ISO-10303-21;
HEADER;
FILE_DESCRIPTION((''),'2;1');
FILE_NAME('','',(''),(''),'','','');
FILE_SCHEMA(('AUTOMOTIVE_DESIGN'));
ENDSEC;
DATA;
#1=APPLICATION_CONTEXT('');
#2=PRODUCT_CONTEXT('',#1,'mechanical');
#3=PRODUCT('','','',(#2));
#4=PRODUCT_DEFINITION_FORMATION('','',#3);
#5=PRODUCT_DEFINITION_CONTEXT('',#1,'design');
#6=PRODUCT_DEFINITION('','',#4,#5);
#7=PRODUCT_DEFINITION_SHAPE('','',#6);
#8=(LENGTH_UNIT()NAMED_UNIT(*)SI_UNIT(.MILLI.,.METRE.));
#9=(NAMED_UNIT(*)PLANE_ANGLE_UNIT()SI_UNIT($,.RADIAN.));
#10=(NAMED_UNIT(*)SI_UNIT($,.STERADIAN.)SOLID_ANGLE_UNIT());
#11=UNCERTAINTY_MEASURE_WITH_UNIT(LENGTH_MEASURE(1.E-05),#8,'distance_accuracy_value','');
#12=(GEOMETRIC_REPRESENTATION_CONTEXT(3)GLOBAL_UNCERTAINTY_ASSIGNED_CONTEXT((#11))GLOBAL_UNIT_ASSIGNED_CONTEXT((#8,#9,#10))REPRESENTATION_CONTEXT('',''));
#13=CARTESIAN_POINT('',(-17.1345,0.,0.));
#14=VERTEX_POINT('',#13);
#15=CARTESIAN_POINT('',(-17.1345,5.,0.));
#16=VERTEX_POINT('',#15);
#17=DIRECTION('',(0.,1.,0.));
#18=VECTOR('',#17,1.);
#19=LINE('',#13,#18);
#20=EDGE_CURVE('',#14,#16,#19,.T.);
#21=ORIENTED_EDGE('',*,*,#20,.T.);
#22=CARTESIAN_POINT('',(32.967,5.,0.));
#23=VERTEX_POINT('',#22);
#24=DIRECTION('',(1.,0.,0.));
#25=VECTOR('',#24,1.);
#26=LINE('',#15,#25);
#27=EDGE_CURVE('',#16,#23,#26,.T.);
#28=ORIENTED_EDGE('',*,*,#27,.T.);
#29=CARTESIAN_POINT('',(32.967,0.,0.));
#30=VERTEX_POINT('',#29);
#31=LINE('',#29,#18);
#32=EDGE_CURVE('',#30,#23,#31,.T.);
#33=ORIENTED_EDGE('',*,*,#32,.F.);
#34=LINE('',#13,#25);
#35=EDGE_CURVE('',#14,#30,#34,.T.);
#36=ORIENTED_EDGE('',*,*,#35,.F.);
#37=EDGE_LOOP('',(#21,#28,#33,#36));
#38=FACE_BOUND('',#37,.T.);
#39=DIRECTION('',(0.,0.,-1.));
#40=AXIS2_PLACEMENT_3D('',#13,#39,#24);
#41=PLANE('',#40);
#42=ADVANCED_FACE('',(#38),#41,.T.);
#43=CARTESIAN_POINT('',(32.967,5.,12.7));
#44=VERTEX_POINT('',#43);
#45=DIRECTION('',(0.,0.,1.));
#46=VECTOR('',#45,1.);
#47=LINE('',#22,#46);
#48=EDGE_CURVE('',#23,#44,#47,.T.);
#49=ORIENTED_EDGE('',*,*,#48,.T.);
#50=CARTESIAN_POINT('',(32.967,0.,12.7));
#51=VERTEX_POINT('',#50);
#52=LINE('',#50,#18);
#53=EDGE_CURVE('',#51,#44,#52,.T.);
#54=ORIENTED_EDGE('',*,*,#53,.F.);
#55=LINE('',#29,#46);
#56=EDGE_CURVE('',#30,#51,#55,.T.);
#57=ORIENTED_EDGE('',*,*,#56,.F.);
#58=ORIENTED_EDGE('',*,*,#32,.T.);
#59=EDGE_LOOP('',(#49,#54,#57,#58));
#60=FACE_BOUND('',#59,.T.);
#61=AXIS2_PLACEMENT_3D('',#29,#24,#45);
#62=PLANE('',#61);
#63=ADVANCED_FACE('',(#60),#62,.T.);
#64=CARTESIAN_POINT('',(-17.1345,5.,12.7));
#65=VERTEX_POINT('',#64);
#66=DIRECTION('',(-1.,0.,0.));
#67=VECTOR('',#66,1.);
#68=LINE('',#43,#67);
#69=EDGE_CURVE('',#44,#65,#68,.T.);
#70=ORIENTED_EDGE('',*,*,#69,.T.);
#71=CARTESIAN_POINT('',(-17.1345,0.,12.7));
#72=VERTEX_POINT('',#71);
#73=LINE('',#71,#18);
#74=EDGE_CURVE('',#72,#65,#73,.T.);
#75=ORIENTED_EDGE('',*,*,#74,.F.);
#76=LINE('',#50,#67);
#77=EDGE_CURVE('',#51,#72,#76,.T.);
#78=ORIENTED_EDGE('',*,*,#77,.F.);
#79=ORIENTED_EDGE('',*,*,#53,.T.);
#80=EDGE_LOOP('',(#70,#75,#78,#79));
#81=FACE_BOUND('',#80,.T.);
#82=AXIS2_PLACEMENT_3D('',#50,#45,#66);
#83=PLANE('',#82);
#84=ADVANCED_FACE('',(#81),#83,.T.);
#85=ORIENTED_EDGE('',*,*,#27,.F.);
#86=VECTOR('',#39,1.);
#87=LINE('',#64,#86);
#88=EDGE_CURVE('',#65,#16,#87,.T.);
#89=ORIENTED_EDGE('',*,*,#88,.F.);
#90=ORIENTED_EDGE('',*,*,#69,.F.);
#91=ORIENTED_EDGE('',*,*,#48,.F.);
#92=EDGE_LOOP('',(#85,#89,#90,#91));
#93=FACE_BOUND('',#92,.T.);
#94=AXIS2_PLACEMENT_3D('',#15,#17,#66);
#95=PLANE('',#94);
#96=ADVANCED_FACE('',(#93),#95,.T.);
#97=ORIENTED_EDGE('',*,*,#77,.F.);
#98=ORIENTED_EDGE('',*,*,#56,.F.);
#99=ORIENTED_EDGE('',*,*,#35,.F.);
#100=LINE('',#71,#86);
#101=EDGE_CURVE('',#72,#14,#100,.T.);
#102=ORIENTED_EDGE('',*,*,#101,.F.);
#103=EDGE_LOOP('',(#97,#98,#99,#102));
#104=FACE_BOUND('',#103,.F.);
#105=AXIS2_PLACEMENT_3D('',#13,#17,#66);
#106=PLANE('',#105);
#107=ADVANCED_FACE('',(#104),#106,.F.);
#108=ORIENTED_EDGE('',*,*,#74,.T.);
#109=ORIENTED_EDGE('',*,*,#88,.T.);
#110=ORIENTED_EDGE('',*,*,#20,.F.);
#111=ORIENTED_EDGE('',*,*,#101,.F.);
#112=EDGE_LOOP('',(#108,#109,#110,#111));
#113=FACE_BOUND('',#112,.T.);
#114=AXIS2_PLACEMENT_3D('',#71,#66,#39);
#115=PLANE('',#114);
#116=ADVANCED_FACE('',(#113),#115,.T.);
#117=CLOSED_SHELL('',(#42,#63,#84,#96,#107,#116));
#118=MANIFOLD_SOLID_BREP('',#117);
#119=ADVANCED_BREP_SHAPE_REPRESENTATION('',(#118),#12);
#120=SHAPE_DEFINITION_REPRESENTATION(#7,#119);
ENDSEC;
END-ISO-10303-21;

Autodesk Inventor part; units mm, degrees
ref_plane "YZ Plane" through (0, 0, 0) normal (1, 0, 0) x (0, 1, 0)
ref_plane "XZ Plane" through (0, 0, 0) normal (0, 1, 0) x (-1, 0, 0)
ref_plane "XY Plane" through (0, 0, 0) normal (0, 0, 1) x (1, 0, 0)
sketch "Sketch1" plane through (-17.1345, 0, 0) normal (0, 1, 0) x (-1, 0, 0)
  line L0 (0, 0) -> (-50.1015, 0)
  line L1 (-50.1015, 0) -> (-50.1015, 12.7)
  line L2 (-50.1015, 12.7) -> (0, 12.7)
  line L3 (0, 12.7) -> (0, 0)
  line L4 (0, 0) -> (3.1512, 0)
  line L5 (3.1512, 0) -> (3.1512, 12.7)
  line L6 (3.1512, 12.7) -> (0, 12.7)
  line L7 (0, 12.7) -> (0, 0)
  point P0 (-17.1345, 0)
  dimension "d0" = 12.7
  dimension "d1" = 12.7
  dimension "d2" = 50.1015
extrude "Extrusion1" add sketch "Sketch1" along normal blind 5 contours L0 L1 L2 L3
sketch "Sketch2" plane through (-17.1345, 0, 12.7) normal (0, 0, 1) x (1, 0, 0)
  line L0 (-1.1099, -11.3831) -> (-0.7439, -9.8165) projected
  circle A0 centre (-1.2567, -9.7783) radius 0.5081 projected
  line L1 (-1.8863, -9.1095) -> (-1.0637, -9.3017) projected
  circle A1 centre (-1.9245, -9.6223) radius 0.508 projected
  line L2 (-2.4011, -9.4293) -> (-2.9508, -11.7823) projected
  circle A2 centre (-1.7141, -12.0712) radius 1.27 projected
  line L3 (-2.003, -13.3079) -> (1.2722, -14.073) projected
  line L4 (-0.7753, -11.8992) -> (0.8196, -12.2718) projected
  circle A3 centre (-0.5968, -11.4198) radius 0.5079 projected
  circle A4 centre (0.854, -11.7581) radius 0.508 projected
  line L5 (1.3081, -11.9944) -> (3.1279, -5.9557) projected
  circle A5 centre (1.3333, -13.0771) radius 0.9836 projected
  line L6 (1.7634, -13.9605) -> (5.8413, -11.5608) projected
  circle A6 centre (5.6461, -11.4046) radius 0.25 projected
  line L7 (5.8961, -11.4874) -> (5.8961, -9.7282) projected
  line L8 (5.8961, -9.7282) -> (4.6261, -9.7282) projected
  circle A7 centre (17.6977, -9.1402) radius 13.0848 projected
  line L9 (7.558, -3.4083) -> (5.72, -8.4582) projected
  line L10 (4.6261, -8.5522) -> (6.1299, -3.0247) projected
  circle A8 centre (6.8221, -3.2766) radius 0.7366 projected
  line L11 (3.6397, -4.2571) -> (1.3081, -11.9944) projected
  circle A9 centre (0.4781, -3.3043) radius 3.302 projected
  circle A10 centre (2.425, -2.7223) radius 1.27 projected
  line L12 (-0.1284, -1.4523) -> (2.425, -1.4523) projected
  circle A11 centre (0, -0.6903) radius 0.762 projected
  circle A12 centre (0, -0.762) radius 0.762 projected
  line L13 (50.1015, 0) -> (0, 0) projected
  line L14 (46.1627, -12.6573) -> (46.1627, 0) projected
  circle A13 centre (45.6548, -12.5692) radius 0.5079 projected
  line L15 (36.4313, -13.0771) -> (45.7429, -13.0771) projected
  circle A14 centre (36.5107, -12.5691) radius 0.508 projected
  line L16 (36.0027, -10.6927) -> (36.0027, -12.6486) projected
  circle A15 centre (36.5109, -10.7718) radius 0.5082 projected
  line L17 (39.3047, -9.6435) -> (36.3501, -10.2897) projected
  line L18 (39.3047, -8.4582) -> (39.3047, -9.6435) projected
  line L19 (5.72, -8.4582) -> (39.3047, -8.4582) projected
  point P0 (17.1345, 0)
properties part number "DinRailMount"
